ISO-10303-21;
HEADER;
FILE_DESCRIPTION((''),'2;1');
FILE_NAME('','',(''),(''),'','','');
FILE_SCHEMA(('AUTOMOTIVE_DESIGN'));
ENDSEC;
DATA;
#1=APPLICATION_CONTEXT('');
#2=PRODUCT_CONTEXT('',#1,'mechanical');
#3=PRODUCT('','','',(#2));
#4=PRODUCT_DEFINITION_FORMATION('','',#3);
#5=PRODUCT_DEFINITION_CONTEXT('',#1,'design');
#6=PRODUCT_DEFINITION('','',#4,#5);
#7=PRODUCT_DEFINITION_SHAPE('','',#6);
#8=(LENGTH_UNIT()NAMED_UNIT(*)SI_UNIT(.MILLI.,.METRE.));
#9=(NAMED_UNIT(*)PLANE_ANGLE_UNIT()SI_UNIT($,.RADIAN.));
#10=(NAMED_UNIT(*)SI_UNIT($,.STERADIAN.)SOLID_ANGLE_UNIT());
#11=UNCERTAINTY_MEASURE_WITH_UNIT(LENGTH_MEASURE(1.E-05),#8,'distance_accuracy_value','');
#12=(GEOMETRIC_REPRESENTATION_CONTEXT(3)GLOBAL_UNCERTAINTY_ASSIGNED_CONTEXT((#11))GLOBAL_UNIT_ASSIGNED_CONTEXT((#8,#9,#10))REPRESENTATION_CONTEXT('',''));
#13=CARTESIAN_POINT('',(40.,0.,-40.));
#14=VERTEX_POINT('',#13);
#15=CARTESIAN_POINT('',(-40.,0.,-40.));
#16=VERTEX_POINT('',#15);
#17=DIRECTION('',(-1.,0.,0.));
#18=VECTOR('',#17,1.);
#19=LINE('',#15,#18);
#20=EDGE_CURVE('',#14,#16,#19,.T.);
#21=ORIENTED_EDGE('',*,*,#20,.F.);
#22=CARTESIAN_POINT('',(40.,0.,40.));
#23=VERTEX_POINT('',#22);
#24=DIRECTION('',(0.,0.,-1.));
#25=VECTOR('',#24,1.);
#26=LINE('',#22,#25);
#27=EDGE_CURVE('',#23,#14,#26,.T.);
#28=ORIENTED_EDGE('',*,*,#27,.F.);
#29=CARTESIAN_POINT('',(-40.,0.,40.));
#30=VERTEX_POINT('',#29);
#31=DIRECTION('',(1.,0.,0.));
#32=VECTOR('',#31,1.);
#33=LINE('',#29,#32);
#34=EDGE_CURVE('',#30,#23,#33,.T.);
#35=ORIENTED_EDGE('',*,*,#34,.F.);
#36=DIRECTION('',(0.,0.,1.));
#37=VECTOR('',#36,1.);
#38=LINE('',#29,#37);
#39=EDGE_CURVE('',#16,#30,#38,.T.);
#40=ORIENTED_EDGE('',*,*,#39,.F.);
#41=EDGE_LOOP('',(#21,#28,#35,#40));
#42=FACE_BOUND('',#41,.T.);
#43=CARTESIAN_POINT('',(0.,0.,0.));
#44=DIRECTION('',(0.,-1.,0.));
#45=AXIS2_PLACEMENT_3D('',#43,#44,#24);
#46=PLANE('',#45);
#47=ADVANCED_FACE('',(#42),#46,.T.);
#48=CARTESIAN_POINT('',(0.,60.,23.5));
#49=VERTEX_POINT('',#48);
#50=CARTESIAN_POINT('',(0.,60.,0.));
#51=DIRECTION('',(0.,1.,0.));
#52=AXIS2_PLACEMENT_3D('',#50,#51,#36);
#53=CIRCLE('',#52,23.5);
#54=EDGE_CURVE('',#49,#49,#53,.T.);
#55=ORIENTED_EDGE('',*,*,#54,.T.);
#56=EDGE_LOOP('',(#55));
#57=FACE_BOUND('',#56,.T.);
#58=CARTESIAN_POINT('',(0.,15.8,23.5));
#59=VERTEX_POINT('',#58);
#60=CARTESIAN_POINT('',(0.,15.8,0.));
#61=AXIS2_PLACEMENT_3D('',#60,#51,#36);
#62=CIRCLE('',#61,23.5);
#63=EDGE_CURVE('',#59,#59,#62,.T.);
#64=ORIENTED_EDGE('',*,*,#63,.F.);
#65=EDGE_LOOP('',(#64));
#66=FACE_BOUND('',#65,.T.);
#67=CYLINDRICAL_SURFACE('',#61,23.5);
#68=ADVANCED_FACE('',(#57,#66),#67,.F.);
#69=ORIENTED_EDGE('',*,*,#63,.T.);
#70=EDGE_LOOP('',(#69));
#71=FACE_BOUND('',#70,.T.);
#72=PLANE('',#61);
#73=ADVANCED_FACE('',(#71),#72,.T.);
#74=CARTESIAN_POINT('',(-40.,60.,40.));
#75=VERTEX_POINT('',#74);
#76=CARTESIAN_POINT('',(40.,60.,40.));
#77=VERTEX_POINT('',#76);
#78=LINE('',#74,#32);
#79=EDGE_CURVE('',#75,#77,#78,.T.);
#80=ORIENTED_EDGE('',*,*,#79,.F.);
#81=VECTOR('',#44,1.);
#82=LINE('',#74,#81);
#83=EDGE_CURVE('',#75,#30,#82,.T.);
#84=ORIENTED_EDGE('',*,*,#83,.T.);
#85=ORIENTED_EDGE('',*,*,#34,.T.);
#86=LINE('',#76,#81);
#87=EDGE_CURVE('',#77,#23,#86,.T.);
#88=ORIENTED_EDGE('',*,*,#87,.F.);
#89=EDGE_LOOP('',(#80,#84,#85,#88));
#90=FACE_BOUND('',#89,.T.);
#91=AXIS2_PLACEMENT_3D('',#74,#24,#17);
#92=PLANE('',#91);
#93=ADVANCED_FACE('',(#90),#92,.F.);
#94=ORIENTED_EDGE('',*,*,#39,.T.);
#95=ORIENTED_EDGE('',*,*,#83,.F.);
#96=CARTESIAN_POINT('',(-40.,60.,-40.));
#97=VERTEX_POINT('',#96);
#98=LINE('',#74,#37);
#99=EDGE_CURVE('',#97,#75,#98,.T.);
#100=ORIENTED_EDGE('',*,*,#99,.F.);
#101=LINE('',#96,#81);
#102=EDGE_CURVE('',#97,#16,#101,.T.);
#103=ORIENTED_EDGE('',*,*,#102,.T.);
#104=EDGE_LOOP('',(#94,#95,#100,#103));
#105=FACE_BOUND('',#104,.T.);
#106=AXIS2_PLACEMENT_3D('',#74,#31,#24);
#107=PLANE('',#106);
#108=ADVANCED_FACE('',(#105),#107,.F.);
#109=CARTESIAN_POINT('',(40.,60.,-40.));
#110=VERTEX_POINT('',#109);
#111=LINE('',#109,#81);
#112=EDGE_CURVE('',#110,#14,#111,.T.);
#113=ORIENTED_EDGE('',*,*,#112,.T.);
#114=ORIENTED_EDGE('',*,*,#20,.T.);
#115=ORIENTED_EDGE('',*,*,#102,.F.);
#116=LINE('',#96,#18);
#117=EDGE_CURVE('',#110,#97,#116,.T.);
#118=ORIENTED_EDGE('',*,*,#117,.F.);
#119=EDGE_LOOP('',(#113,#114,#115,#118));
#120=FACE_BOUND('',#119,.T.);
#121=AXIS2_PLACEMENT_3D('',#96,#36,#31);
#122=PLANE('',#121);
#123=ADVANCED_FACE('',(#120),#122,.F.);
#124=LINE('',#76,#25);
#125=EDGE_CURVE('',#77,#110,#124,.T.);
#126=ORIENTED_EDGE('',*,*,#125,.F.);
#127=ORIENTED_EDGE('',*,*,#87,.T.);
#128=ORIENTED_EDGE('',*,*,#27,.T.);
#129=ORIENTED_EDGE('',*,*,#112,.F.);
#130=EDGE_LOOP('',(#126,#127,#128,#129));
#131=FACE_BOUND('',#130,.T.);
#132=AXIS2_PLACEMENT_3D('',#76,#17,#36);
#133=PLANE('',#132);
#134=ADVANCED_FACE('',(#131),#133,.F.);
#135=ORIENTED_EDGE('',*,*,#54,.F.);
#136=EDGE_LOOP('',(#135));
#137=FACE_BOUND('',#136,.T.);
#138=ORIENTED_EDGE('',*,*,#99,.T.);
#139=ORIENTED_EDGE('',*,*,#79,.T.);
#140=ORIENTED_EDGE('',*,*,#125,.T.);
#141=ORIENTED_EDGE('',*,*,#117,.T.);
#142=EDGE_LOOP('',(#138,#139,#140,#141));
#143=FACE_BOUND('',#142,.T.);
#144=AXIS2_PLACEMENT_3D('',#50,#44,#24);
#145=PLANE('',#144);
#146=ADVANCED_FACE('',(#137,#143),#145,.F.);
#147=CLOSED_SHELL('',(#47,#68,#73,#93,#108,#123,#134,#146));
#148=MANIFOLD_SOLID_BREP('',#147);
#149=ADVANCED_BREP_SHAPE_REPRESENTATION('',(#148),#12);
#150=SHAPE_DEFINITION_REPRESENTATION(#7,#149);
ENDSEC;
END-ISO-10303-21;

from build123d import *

# Parameters (mm, degrees)
SKETCH1_W           = 80
SKETCH1_H           = 80
BOSS_EXTRUDE1_DEPTH = 60
SKETCH2_R           = 23.5
CUT_EXTRUDE1_DEPTH  = 44.2


with BuildPart() as part:
    # Sketch1 → Boss-Extrude1 (new body)
    with BuildSketch(Plane(origin=(0, 0, 0), x_dir=(1, 0, 0), z_dir=(0, 1, 0))):
        Rectangle(SKETCH1_W, SKETCH1_H)
    extrude(amount=BOSS_EXTRUDE1_DEPTH)

    # Sketch2 → Cut-Extrude1 (cut)
    with BuildSketch(Plane(origin=(0, 60, 0), x_dir=(1, 0, 0), z_dir=(0, 1, 0))):
        with Locations(Location((0, 0, 0), (0, 0, 270))):
            Circle(SKETCH2_R)
    extrude(amount=-CUT_EXTRUDE1_DEPTH, mode=Mode.SUBTRACT)


solid = part.part
